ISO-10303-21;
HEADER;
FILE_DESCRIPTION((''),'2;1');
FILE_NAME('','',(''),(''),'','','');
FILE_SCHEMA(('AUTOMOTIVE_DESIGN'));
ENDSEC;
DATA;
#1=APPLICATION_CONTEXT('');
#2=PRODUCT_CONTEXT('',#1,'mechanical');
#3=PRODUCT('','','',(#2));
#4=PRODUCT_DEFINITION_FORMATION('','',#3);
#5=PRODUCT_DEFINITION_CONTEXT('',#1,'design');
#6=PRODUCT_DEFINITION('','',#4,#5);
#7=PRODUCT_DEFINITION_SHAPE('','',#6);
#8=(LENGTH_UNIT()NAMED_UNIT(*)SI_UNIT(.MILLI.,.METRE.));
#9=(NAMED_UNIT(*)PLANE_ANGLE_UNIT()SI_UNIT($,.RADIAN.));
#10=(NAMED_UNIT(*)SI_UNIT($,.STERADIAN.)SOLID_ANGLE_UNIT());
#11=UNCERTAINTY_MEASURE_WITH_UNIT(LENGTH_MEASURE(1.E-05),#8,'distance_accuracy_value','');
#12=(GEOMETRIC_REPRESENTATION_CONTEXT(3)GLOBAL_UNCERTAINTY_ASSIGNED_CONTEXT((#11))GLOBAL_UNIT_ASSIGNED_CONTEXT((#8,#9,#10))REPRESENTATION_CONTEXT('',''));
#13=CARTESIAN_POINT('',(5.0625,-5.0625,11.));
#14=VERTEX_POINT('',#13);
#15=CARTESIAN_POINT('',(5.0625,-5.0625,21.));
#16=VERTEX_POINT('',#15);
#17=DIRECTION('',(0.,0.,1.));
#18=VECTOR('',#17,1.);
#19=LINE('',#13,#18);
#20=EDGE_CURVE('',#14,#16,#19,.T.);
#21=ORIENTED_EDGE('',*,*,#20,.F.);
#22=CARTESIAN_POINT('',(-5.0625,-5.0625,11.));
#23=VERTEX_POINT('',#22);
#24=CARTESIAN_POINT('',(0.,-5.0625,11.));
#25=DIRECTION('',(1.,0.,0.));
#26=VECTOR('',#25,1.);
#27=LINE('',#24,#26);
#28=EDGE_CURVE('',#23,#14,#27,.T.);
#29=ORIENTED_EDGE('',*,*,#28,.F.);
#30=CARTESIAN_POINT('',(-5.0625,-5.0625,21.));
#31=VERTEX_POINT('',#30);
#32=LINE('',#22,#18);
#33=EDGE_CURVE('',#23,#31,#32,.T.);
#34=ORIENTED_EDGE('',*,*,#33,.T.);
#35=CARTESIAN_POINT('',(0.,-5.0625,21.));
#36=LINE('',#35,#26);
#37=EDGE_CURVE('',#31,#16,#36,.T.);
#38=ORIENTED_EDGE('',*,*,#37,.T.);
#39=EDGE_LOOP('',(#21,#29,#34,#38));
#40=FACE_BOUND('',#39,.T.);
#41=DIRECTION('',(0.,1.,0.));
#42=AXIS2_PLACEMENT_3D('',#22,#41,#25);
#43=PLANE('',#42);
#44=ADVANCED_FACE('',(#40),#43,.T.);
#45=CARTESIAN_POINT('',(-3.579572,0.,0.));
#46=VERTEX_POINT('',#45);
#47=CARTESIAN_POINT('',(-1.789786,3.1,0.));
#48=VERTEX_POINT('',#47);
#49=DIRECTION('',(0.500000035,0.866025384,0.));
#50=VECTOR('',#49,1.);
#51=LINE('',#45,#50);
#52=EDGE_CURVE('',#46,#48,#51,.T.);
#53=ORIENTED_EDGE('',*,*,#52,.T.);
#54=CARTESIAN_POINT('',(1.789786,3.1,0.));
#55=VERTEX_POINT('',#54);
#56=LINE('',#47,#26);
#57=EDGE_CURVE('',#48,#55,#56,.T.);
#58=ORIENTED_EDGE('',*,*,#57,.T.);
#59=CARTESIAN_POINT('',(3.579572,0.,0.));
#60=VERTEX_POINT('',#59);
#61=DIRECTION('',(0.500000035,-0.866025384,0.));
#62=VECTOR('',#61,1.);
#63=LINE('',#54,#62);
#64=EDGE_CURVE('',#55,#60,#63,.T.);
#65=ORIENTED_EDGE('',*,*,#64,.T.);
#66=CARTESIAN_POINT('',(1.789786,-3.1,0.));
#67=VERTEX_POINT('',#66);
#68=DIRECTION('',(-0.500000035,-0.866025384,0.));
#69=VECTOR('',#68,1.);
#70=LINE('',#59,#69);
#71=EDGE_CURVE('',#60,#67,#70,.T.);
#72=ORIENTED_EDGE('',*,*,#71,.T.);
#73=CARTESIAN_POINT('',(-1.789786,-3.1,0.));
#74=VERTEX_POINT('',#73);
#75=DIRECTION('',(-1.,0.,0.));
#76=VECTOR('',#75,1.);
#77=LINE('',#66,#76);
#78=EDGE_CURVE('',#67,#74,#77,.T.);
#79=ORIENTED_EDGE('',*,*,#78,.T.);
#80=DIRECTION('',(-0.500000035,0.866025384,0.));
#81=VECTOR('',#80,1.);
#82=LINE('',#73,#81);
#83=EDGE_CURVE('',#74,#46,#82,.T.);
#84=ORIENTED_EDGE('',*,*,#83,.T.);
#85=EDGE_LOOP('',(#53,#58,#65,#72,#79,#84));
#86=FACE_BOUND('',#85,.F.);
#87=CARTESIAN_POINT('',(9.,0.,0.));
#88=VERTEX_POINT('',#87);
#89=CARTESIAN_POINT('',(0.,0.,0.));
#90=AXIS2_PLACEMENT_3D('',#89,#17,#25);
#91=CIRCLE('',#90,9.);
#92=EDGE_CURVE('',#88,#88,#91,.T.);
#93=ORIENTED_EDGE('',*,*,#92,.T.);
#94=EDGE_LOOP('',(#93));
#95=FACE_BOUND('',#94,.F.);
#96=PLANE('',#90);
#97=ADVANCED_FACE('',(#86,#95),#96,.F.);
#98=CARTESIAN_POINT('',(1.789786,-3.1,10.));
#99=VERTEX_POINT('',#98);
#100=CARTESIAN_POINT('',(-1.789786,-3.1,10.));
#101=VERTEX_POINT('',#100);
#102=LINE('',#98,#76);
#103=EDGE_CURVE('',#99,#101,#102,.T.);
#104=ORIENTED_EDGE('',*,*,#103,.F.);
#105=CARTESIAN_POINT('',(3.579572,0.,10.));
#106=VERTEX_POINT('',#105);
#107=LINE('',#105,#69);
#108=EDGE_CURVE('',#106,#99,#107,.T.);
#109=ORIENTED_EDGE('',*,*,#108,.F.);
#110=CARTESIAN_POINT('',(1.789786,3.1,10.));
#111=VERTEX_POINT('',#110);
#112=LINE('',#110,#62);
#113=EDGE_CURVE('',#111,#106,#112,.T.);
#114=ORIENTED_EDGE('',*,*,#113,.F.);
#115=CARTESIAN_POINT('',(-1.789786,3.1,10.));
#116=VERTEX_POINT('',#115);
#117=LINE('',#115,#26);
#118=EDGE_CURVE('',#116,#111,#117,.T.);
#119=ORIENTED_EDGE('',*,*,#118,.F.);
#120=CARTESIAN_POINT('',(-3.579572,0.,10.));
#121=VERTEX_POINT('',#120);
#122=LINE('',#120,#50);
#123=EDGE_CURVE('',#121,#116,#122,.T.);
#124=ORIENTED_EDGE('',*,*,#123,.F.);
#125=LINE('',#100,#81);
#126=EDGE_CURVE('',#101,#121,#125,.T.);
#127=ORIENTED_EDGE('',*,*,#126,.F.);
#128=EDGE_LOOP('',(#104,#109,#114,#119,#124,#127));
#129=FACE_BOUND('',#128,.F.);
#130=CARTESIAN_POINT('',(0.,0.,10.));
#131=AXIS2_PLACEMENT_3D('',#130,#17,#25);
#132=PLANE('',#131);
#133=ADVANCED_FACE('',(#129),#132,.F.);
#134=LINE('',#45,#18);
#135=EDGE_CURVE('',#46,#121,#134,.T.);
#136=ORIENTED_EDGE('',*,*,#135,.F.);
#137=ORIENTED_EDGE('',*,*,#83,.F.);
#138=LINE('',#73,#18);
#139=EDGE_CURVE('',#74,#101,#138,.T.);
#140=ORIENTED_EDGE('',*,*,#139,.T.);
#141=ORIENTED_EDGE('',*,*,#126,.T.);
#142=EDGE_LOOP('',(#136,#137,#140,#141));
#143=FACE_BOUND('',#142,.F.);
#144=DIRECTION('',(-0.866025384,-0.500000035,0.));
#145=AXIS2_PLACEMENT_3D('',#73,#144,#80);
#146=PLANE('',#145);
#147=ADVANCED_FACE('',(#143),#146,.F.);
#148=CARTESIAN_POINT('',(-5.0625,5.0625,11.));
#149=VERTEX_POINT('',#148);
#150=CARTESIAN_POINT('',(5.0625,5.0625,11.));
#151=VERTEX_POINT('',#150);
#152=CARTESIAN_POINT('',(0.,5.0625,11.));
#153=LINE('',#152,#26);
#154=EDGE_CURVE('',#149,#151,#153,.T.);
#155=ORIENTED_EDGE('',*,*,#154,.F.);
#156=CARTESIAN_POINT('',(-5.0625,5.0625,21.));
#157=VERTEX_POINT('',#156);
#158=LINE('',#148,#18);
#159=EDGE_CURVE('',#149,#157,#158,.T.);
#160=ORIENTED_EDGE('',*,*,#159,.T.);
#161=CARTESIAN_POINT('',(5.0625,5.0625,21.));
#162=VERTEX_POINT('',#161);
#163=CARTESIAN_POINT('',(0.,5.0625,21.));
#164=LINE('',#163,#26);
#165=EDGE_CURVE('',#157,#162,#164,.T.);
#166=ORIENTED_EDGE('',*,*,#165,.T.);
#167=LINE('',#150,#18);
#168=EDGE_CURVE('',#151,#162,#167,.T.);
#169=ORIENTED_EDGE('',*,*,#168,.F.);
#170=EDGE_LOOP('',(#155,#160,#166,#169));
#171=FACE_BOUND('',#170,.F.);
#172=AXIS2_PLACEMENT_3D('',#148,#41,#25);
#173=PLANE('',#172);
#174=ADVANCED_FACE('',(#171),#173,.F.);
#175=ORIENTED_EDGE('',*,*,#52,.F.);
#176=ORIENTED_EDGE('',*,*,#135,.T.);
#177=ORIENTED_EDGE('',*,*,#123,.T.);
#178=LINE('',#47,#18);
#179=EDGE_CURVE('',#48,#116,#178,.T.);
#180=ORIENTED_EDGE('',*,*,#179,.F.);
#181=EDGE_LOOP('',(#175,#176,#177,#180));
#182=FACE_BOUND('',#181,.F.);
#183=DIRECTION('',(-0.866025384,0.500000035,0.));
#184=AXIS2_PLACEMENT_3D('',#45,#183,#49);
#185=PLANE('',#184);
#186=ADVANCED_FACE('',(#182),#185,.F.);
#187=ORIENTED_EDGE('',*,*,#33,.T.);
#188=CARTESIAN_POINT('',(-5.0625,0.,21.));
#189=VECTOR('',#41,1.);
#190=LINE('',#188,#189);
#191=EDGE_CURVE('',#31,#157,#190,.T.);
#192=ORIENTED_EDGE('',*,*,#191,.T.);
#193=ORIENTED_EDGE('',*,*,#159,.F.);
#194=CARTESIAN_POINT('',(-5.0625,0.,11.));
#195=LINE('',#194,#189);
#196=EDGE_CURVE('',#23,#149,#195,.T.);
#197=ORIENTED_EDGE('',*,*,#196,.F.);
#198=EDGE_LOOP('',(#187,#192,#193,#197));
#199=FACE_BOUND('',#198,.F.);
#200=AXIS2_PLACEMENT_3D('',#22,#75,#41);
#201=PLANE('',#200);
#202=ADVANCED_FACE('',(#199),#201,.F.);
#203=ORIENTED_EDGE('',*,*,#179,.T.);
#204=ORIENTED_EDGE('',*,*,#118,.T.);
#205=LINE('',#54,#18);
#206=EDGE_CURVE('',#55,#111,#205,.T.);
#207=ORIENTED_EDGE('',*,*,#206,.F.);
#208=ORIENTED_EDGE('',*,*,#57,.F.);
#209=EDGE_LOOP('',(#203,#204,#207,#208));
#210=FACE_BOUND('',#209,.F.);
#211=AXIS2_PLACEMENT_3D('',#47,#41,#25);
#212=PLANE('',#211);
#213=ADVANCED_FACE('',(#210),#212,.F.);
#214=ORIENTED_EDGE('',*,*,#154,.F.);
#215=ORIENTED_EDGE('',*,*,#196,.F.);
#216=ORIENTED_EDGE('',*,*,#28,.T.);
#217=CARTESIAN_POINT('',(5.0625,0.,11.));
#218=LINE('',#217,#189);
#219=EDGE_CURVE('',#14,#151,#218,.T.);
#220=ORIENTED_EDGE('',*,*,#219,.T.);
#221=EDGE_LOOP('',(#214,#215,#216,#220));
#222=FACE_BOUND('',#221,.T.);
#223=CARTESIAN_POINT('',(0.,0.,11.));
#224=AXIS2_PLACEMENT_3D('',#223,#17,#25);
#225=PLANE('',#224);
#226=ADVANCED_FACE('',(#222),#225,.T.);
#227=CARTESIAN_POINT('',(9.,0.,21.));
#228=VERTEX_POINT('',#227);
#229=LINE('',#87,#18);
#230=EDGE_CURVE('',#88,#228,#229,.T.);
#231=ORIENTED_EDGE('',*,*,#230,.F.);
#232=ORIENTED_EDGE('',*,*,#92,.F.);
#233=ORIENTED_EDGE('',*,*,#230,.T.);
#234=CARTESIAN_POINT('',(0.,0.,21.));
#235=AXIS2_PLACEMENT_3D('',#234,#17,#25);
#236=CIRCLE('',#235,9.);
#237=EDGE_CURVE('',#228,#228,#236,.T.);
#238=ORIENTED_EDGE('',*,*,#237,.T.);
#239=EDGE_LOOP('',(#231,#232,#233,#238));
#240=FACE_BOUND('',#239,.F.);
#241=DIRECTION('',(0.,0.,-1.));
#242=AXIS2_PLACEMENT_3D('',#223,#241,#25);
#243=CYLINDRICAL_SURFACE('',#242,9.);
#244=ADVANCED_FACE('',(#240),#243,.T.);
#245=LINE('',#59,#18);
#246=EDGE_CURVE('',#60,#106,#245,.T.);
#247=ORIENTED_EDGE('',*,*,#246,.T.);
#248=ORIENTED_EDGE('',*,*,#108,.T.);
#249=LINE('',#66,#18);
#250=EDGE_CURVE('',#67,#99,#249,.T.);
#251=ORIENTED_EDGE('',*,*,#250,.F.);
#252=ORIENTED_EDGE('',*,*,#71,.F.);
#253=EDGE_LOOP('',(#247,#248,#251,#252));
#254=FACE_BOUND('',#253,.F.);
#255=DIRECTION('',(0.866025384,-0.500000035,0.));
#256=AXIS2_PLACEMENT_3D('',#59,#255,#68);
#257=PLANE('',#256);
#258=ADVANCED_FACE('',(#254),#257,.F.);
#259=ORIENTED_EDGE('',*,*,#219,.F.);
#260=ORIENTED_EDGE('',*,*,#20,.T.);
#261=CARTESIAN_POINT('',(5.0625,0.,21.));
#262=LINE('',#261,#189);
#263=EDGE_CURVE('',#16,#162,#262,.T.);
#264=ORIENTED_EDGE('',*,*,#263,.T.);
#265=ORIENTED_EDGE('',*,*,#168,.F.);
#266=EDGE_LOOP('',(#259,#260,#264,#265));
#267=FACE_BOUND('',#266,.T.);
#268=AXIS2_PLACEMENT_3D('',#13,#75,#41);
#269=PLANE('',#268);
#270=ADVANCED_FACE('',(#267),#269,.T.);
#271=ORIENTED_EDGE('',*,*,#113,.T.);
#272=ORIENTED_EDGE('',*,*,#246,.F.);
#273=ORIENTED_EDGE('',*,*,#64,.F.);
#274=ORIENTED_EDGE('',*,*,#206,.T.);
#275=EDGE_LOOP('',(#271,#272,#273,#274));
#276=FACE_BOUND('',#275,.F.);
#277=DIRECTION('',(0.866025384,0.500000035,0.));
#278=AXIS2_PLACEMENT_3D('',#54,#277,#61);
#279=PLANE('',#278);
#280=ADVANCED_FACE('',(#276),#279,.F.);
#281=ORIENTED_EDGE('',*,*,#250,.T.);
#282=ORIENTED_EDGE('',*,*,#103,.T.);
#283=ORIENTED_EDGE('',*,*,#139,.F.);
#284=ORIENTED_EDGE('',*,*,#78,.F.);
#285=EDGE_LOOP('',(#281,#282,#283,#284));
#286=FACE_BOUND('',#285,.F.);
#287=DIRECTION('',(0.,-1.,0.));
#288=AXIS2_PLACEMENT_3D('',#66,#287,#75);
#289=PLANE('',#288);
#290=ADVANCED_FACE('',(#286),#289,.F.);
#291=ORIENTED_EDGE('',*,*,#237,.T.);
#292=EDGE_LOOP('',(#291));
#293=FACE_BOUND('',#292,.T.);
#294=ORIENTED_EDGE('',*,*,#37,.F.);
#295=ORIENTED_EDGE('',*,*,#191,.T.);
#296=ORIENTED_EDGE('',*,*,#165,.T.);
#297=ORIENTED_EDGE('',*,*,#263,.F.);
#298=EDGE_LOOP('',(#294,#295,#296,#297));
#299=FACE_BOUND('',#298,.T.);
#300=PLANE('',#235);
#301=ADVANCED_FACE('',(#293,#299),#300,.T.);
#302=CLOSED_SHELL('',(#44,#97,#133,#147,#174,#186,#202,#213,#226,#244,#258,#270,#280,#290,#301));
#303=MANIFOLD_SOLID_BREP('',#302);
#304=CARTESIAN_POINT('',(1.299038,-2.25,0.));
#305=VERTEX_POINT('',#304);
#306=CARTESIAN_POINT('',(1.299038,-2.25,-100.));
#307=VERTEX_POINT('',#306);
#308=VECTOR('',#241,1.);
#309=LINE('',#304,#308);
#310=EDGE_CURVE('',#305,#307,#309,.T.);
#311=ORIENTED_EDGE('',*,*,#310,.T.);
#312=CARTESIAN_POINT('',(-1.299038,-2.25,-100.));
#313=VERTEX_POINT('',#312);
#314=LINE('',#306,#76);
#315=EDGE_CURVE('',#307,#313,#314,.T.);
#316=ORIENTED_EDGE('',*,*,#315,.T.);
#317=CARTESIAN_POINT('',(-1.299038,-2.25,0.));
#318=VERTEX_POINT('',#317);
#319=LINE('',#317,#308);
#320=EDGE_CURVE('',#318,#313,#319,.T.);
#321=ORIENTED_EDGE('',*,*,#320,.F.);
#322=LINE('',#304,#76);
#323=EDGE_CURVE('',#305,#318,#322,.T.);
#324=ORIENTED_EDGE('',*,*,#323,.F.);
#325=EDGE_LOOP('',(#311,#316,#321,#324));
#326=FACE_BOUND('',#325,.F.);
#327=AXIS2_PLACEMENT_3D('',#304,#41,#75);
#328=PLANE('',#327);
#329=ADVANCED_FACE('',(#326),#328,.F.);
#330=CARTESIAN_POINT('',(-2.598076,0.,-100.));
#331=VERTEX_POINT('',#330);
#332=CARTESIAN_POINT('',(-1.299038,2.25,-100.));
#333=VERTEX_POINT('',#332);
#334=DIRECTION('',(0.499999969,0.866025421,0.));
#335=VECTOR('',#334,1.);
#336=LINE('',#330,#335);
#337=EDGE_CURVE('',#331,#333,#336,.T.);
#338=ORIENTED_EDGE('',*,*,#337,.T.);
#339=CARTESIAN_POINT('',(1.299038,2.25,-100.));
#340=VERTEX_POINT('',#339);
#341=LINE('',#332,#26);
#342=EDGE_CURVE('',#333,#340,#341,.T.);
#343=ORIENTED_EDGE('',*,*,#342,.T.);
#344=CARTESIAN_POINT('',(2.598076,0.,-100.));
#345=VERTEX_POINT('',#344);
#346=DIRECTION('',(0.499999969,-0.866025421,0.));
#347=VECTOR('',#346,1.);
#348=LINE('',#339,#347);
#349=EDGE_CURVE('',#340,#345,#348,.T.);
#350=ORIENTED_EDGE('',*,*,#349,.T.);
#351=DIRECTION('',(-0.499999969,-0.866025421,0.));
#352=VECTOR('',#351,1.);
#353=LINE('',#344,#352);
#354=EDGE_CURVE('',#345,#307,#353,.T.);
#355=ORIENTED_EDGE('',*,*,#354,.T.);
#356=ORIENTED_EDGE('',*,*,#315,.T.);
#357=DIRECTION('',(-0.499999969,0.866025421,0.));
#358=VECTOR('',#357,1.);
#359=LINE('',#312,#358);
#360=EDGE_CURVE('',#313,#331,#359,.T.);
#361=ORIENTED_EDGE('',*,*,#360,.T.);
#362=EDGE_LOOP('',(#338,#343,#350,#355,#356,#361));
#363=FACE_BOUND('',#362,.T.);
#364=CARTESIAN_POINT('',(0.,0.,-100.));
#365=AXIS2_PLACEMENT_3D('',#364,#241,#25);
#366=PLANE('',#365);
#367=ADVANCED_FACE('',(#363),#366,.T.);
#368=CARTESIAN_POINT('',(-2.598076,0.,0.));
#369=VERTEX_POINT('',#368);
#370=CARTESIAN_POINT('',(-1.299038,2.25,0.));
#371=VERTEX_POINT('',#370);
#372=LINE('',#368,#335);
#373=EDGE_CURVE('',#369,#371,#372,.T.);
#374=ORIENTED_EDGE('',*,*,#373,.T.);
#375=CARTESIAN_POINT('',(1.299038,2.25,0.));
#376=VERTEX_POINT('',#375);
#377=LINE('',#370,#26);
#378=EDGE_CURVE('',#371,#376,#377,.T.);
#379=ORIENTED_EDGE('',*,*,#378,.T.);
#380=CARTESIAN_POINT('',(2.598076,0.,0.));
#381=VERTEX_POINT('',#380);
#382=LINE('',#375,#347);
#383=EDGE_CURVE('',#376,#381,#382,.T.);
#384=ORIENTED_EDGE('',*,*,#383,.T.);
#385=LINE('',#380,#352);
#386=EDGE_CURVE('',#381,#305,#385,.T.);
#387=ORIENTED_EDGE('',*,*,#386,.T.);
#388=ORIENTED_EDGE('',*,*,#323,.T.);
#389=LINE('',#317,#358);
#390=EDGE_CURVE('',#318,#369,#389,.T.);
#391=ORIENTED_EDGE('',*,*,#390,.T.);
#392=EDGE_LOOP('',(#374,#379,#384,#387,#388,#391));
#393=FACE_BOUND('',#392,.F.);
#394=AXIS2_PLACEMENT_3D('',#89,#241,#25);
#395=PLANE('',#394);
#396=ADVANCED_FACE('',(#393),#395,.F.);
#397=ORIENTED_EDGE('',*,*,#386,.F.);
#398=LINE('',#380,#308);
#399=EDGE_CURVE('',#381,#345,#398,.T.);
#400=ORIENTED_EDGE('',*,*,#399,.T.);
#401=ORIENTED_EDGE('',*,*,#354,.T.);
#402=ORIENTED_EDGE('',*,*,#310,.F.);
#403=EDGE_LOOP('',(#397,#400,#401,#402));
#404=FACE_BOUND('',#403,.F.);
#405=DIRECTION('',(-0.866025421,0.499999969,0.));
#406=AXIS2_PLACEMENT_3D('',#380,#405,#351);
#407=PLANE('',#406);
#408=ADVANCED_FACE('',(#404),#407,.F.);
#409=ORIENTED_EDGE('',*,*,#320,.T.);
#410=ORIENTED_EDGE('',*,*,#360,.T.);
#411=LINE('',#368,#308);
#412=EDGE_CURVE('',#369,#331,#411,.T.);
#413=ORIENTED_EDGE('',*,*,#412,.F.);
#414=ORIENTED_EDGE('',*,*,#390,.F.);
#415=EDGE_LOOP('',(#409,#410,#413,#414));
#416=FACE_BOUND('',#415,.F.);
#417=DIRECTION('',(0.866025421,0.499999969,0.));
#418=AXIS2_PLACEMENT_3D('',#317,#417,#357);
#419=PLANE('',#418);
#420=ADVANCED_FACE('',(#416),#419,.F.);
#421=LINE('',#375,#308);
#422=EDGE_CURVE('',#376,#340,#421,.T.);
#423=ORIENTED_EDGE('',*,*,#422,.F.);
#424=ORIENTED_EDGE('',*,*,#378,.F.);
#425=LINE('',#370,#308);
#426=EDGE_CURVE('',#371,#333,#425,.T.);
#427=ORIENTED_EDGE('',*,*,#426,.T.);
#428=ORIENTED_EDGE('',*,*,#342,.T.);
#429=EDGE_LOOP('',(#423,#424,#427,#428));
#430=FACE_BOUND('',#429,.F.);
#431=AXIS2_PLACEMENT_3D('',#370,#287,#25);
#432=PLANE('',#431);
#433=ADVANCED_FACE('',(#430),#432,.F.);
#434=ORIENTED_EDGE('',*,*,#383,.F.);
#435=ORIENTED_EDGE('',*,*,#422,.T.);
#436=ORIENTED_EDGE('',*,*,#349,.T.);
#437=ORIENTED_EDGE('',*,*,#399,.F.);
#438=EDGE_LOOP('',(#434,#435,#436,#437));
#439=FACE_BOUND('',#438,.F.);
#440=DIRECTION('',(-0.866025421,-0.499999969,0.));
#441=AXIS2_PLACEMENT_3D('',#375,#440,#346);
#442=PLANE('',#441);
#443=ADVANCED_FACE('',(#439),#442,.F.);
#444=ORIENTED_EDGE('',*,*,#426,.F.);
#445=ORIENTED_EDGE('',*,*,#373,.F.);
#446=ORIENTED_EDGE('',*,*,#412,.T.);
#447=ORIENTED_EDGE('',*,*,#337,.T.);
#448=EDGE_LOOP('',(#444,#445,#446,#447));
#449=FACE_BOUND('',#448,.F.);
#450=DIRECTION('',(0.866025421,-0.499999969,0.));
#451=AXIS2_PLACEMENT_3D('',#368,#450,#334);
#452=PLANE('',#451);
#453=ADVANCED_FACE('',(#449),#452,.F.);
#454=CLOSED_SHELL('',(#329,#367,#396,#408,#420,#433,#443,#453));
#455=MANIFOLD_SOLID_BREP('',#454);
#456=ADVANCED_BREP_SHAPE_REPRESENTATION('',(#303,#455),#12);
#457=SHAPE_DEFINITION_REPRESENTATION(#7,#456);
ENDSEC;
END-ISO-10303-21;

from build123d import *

# Parameters (mm, degrees)
F0_R     = 9
F1_DEPTH = 10
F2_R     = 9
F3_DEPTH = 1
F4_R     = 9
F4_W     = 10.125
F4_H     = 10.125
F5_DEPTH = 10
F7_DEPTH = 100


with BuildPart() as f1:
    # F0 (on Top) → F1 (new body)
    with BuildSketch(Plane.XY):
        Circle(F0_R)
        Polygon((-1.789786, -3.1), (-3.579572, 0), (-1.789786, 3.1), (1.789786, 3.1), (3.579572, 0), (1.789786, -3.1), align=None, mode=Mode.SUBTRACT)
    extrude(amount=F1_DEPTH)

    # F2 (on face) → F3 (join)
    with BuildSketch(Plane.XY.offset(10)):
        Circle(F2_R)
    extrude(amount=F3_DEPTH)

    # F4 (on face) → F5 (join)
    with BuildSketch(Plane.XY.offset(11)):
        Circle(F4_R)
        Rectangle(F4_W, F4_H, mode=Mode.SUBTRACT)
    extrude(amount=F5_DEPTH)


with BuildPart() as f7:
    # F6 (on face) → F7 (new body)
    with BuildSketch(Plane(origin=(0, 0, 0), x_dir=(1, 0, 0), z_dir=(0, 0, -1))):
        Polygon((-2.598076, 0), (-1.299038, -2.25), (1.299038, -2.25), (2.598076, 0), (1.299038, 2.25), (-1.299038, 2.25), align=None)
    extrude(amount=F7_DEPTH)


solid = Compound([f1.part, f7.part])
